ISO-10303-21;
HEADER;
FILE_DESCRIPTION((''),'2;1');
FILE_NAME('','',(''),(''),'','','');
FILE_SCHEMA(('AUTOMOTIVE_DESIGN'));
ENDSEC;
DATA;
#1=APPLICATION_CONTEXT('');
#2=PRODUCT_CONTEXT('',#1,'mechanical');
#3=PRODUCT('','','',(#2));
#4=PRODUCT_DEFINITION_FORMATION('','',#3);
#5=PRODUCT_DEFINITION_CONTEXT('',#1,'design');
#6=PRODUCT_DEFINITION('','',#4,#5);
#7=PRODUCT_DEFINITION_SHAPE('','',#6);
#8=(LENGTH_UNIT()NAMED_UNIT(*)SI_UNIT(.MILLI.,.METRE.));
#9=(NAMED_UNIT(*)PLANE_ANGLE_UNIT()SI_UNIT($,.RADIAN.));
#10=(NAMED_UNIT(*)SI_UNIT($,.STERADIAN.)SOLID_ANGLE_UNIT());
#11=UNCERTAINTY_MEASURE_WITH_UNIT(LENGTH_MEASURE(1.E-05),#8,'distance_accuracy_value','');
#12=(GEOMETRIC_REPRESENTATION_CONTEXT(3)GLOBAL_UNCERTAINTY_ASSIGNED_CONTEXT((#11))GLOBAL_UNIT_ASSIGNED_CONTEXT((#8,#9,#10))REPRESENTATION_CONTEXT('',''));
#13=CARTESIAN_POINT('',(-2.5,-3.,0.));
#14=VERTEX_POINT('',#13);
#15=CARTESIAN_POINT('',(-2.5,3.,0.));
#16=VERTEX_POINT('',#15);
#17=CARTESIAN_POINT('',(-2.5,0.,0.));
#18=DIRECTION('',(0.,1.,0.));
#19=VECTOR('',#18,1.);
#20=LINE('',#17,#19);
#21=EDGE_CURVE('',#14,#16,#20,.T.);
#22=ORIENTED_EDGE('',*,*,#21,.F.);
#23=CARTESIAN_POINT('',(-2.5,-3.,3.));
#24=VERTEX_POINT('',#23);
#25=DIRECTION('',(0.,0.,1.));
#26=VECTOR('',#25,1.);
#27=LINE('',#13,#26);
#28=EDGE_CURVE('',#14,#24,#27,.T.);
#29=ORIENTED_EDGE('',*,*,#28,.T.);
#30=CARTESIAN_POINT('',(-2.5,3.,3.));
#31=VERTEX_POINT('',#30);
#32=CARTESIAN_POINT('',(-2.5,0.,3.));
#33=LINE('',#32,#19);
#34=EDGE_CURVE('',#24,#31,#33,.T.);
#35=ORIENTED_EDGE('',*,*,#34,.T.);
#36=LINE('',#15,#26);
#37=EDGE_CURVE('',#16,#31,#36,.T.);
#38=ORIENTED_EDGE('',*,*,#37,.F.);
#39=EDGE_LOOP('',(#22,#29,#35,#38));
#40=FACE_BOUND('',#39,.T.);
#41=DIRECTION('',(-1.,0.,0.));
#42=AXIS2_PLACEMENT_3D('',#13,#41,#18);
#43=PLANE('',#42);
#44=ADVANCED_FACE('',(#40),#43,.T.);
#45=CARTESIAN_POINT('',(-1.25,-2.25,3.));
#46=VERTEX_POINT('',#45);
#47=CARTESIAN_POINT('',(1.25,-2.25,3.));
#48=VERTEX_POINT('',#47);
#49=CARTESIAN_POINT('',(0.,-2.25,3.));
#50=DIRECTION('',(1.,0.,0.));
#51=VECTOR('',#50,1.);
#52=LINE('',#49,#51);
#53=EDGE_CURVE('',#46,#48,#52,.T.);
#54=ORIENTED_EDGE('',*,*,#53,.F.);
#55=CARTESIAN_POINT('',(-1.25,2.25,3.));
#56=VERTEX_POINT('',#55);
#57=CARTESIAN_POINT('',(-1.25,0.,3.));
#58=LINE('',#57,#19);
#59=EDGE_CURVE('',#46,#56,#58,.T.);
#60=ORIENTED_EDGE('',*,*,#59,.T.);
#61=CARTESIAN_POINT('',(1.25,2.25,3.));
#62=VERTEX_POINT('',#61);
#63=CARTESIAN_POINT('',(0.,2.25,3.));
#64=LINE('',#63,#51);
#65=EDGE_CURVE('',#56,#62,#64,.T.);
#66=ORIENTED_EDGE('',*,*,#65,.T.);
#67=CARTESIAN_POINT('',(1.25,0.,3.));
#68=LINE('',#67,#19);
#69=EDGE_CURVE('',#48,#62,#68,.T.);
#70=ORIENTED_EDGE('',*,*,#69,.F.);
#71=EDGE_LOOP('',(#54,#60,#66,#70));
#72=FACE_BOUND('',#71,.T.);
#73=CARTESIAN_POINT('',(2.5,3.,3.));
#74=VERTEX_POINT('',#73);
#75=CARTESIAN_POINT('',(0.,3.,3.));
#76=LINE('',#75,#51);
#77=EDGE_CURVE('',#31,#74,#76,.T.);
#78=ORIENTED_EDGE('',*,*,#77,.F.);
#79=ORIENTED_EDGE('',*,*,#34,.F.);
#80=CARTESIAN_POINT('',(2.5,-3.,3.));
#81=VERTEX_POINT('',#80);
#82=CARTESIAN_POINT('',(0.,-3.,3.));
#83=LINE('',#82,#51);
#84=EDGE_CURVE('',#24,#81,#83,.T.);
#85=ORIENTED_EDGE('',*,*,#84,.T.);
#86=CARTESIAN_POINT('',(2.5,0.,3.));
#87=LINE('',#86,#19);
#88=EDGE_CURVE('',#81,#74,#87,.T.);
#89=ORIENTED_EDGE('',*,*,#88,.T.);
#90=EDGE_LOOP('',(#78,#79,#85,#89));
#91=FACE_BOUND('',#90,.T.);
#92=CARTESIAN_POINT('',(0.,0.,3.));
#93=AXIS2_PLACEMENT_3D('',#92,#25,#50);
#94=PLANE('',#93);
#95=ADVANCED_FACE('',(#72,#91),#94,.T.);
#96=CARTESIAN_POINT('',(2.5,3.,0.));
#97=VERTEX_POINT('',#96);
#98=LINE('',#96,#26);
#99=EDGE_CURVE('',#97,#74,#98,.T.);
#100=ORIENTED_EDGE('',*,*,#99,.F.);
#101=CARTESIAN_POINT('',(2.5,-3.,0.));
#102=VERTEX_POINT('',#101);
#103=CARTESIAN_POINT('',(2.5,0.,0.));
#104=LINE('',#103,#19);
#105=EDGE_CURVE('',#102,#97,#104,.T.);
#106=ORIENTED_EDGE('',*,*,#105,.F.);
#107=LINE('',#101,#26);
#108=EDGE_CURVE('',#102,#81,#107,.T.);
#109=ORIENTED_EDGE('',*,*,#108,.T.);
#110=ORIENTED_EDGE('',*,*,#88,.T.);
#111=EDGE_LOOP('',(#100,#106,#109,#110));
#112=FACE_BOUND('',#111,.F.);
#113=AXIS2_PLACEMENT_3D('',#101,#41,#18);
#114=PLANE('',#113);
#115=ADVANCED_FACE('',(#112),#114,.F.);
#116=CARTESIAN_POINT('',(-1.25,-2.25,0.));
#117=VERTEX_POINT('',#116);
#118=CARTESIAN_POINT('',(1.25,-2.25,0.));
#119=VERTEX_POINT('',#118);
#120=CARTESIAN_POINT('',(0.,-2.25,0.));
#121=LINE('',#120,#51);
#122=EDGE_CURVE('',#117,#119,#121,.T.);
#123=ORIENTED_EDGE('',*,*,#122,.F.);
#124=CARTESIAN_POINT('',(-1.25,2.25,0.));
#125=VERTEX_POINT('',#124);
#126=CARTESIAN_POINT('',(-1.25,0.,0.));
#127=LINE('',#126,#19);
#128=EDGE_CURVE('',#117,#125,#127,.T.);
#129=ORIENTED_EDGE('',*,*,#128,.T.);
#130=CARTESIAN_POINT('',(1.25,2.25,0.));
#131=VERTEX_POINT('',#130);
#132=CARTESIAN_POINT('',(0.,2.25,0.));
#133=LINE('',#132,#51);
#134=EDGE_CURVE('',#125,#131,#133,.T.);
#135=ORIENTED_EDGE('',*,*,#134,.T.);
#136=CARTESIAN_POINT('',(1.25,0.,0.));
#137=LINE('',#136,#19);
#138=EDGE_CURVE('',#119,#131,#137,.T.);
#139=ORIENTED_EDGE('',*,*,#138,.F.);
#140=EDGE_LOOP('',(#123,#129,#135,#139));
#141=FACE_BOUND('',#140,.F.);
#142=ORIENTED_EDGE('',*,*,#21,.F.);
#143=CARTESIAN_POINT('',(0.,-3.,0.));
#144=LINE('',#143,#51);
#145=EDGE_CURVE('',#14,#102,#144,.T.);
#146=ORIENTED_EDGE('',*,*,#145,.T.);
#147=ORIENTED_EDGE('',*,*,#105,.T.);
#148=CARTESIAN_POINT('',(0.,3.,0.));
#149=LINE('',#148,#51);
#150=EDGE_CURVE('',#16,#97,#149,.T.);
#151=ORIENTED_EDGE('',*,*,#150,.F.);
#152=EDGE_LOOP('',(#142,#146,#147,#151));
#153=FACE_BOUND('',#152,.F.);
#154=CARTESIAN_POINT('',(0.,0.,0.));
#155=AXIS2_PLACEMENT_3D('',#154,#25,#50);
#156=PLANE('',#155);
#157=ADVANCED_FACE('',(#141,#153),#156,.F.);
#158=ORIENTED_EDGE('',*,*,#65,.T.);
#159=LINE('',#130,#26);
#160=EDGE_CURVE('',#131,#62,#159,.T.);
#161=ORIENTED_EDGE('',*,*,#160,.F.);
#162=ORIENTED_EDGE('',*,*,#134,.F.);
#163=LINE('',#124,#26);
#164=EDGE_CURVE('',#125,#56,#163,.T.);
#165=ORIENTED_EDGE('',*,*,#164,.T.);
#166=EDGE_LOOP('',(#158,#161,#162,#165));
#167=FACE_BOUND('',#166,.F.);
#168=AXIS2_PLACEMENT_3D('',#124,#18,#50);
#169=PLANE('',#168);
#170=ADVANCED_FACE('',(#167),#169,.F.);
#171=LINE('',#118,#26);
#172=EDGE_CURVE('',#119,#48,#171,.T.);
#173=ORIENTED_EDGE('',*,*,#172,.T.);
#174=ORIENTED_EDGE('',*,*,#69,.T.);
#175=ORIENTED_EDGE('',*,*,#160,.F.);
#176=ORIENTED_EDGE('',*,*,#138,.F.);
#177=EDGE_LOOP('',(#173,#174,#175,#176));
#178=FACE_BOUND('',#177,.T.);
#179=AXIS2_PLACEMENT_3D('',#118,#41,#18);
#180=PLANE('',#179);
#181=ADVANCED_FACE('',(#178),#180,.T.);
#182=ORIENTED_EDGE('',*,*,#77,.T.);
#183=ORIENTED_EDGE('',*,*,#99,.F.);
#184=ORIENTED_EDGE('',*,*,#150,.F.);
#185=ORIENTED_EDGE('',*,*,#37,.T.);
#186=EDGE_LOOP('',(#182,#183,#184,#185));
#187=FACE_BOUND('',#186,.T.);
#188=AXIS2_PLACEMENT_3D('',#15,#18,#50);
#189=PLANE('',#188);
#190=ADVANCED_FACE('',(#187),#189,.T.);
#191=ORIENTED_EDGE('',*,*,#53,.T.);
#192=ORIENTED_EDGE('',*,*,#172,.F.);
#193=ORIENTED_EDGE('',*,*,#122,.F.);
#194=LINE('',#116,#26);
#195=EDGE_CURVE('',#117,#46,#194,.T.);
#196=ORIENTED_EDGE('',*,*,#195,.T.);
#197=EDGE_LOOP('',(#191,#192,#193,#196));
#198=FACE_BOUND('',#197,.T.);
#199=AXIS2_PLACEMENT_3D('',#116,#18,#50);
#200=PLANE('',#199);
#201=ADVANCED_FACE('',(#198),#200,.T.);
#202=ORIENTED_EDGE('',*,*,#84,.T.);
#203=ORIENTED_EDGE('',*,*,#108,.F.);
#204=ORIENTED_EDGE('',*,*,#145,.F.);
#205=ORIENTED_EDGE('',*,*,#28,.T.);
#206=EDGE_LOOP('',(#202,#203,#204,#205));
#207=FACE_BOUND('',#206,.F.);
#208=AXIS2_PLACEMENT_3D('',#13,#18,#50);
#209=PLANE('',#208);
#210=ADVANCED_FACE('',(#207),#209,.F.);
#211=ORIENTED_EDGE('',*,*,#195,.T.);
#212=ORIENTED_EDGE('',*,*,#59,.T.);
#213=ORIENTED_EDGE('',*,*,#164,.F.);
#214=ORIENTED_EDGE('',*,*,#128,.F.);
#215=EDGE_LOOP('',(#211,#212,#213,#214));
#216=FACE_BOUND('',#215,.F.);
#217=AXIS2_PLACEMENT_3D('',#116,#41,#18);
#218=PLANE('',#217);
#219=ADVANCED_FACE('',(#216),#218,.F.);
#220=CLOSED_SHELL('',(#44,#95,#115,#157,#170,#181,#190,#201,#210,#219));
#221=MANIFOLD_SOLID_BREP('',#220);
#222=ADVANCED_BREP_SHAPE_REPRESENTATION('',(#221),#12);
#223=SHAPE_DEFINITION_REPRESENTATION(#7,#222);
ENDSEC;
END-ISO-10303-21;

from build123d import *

# Parameters (mm, degrees)
F0_W     = 5
F0_H     = 6
F0_W_2   = 2.5
F0_H_2   = 4.5
F1_DEPTH = 3


with BuildPart() as f1:
    # F0 (on Top) → F1 (new body)
    with BuildSketch(Plane.XY):
        Rectangle(F0_W, F0_H)
        Rectangle(F0_W_2, F0_H_2, mode=Mode.SUBTRACT)
    extrude(amount=F1_DEPTH)


solid = f1.part
